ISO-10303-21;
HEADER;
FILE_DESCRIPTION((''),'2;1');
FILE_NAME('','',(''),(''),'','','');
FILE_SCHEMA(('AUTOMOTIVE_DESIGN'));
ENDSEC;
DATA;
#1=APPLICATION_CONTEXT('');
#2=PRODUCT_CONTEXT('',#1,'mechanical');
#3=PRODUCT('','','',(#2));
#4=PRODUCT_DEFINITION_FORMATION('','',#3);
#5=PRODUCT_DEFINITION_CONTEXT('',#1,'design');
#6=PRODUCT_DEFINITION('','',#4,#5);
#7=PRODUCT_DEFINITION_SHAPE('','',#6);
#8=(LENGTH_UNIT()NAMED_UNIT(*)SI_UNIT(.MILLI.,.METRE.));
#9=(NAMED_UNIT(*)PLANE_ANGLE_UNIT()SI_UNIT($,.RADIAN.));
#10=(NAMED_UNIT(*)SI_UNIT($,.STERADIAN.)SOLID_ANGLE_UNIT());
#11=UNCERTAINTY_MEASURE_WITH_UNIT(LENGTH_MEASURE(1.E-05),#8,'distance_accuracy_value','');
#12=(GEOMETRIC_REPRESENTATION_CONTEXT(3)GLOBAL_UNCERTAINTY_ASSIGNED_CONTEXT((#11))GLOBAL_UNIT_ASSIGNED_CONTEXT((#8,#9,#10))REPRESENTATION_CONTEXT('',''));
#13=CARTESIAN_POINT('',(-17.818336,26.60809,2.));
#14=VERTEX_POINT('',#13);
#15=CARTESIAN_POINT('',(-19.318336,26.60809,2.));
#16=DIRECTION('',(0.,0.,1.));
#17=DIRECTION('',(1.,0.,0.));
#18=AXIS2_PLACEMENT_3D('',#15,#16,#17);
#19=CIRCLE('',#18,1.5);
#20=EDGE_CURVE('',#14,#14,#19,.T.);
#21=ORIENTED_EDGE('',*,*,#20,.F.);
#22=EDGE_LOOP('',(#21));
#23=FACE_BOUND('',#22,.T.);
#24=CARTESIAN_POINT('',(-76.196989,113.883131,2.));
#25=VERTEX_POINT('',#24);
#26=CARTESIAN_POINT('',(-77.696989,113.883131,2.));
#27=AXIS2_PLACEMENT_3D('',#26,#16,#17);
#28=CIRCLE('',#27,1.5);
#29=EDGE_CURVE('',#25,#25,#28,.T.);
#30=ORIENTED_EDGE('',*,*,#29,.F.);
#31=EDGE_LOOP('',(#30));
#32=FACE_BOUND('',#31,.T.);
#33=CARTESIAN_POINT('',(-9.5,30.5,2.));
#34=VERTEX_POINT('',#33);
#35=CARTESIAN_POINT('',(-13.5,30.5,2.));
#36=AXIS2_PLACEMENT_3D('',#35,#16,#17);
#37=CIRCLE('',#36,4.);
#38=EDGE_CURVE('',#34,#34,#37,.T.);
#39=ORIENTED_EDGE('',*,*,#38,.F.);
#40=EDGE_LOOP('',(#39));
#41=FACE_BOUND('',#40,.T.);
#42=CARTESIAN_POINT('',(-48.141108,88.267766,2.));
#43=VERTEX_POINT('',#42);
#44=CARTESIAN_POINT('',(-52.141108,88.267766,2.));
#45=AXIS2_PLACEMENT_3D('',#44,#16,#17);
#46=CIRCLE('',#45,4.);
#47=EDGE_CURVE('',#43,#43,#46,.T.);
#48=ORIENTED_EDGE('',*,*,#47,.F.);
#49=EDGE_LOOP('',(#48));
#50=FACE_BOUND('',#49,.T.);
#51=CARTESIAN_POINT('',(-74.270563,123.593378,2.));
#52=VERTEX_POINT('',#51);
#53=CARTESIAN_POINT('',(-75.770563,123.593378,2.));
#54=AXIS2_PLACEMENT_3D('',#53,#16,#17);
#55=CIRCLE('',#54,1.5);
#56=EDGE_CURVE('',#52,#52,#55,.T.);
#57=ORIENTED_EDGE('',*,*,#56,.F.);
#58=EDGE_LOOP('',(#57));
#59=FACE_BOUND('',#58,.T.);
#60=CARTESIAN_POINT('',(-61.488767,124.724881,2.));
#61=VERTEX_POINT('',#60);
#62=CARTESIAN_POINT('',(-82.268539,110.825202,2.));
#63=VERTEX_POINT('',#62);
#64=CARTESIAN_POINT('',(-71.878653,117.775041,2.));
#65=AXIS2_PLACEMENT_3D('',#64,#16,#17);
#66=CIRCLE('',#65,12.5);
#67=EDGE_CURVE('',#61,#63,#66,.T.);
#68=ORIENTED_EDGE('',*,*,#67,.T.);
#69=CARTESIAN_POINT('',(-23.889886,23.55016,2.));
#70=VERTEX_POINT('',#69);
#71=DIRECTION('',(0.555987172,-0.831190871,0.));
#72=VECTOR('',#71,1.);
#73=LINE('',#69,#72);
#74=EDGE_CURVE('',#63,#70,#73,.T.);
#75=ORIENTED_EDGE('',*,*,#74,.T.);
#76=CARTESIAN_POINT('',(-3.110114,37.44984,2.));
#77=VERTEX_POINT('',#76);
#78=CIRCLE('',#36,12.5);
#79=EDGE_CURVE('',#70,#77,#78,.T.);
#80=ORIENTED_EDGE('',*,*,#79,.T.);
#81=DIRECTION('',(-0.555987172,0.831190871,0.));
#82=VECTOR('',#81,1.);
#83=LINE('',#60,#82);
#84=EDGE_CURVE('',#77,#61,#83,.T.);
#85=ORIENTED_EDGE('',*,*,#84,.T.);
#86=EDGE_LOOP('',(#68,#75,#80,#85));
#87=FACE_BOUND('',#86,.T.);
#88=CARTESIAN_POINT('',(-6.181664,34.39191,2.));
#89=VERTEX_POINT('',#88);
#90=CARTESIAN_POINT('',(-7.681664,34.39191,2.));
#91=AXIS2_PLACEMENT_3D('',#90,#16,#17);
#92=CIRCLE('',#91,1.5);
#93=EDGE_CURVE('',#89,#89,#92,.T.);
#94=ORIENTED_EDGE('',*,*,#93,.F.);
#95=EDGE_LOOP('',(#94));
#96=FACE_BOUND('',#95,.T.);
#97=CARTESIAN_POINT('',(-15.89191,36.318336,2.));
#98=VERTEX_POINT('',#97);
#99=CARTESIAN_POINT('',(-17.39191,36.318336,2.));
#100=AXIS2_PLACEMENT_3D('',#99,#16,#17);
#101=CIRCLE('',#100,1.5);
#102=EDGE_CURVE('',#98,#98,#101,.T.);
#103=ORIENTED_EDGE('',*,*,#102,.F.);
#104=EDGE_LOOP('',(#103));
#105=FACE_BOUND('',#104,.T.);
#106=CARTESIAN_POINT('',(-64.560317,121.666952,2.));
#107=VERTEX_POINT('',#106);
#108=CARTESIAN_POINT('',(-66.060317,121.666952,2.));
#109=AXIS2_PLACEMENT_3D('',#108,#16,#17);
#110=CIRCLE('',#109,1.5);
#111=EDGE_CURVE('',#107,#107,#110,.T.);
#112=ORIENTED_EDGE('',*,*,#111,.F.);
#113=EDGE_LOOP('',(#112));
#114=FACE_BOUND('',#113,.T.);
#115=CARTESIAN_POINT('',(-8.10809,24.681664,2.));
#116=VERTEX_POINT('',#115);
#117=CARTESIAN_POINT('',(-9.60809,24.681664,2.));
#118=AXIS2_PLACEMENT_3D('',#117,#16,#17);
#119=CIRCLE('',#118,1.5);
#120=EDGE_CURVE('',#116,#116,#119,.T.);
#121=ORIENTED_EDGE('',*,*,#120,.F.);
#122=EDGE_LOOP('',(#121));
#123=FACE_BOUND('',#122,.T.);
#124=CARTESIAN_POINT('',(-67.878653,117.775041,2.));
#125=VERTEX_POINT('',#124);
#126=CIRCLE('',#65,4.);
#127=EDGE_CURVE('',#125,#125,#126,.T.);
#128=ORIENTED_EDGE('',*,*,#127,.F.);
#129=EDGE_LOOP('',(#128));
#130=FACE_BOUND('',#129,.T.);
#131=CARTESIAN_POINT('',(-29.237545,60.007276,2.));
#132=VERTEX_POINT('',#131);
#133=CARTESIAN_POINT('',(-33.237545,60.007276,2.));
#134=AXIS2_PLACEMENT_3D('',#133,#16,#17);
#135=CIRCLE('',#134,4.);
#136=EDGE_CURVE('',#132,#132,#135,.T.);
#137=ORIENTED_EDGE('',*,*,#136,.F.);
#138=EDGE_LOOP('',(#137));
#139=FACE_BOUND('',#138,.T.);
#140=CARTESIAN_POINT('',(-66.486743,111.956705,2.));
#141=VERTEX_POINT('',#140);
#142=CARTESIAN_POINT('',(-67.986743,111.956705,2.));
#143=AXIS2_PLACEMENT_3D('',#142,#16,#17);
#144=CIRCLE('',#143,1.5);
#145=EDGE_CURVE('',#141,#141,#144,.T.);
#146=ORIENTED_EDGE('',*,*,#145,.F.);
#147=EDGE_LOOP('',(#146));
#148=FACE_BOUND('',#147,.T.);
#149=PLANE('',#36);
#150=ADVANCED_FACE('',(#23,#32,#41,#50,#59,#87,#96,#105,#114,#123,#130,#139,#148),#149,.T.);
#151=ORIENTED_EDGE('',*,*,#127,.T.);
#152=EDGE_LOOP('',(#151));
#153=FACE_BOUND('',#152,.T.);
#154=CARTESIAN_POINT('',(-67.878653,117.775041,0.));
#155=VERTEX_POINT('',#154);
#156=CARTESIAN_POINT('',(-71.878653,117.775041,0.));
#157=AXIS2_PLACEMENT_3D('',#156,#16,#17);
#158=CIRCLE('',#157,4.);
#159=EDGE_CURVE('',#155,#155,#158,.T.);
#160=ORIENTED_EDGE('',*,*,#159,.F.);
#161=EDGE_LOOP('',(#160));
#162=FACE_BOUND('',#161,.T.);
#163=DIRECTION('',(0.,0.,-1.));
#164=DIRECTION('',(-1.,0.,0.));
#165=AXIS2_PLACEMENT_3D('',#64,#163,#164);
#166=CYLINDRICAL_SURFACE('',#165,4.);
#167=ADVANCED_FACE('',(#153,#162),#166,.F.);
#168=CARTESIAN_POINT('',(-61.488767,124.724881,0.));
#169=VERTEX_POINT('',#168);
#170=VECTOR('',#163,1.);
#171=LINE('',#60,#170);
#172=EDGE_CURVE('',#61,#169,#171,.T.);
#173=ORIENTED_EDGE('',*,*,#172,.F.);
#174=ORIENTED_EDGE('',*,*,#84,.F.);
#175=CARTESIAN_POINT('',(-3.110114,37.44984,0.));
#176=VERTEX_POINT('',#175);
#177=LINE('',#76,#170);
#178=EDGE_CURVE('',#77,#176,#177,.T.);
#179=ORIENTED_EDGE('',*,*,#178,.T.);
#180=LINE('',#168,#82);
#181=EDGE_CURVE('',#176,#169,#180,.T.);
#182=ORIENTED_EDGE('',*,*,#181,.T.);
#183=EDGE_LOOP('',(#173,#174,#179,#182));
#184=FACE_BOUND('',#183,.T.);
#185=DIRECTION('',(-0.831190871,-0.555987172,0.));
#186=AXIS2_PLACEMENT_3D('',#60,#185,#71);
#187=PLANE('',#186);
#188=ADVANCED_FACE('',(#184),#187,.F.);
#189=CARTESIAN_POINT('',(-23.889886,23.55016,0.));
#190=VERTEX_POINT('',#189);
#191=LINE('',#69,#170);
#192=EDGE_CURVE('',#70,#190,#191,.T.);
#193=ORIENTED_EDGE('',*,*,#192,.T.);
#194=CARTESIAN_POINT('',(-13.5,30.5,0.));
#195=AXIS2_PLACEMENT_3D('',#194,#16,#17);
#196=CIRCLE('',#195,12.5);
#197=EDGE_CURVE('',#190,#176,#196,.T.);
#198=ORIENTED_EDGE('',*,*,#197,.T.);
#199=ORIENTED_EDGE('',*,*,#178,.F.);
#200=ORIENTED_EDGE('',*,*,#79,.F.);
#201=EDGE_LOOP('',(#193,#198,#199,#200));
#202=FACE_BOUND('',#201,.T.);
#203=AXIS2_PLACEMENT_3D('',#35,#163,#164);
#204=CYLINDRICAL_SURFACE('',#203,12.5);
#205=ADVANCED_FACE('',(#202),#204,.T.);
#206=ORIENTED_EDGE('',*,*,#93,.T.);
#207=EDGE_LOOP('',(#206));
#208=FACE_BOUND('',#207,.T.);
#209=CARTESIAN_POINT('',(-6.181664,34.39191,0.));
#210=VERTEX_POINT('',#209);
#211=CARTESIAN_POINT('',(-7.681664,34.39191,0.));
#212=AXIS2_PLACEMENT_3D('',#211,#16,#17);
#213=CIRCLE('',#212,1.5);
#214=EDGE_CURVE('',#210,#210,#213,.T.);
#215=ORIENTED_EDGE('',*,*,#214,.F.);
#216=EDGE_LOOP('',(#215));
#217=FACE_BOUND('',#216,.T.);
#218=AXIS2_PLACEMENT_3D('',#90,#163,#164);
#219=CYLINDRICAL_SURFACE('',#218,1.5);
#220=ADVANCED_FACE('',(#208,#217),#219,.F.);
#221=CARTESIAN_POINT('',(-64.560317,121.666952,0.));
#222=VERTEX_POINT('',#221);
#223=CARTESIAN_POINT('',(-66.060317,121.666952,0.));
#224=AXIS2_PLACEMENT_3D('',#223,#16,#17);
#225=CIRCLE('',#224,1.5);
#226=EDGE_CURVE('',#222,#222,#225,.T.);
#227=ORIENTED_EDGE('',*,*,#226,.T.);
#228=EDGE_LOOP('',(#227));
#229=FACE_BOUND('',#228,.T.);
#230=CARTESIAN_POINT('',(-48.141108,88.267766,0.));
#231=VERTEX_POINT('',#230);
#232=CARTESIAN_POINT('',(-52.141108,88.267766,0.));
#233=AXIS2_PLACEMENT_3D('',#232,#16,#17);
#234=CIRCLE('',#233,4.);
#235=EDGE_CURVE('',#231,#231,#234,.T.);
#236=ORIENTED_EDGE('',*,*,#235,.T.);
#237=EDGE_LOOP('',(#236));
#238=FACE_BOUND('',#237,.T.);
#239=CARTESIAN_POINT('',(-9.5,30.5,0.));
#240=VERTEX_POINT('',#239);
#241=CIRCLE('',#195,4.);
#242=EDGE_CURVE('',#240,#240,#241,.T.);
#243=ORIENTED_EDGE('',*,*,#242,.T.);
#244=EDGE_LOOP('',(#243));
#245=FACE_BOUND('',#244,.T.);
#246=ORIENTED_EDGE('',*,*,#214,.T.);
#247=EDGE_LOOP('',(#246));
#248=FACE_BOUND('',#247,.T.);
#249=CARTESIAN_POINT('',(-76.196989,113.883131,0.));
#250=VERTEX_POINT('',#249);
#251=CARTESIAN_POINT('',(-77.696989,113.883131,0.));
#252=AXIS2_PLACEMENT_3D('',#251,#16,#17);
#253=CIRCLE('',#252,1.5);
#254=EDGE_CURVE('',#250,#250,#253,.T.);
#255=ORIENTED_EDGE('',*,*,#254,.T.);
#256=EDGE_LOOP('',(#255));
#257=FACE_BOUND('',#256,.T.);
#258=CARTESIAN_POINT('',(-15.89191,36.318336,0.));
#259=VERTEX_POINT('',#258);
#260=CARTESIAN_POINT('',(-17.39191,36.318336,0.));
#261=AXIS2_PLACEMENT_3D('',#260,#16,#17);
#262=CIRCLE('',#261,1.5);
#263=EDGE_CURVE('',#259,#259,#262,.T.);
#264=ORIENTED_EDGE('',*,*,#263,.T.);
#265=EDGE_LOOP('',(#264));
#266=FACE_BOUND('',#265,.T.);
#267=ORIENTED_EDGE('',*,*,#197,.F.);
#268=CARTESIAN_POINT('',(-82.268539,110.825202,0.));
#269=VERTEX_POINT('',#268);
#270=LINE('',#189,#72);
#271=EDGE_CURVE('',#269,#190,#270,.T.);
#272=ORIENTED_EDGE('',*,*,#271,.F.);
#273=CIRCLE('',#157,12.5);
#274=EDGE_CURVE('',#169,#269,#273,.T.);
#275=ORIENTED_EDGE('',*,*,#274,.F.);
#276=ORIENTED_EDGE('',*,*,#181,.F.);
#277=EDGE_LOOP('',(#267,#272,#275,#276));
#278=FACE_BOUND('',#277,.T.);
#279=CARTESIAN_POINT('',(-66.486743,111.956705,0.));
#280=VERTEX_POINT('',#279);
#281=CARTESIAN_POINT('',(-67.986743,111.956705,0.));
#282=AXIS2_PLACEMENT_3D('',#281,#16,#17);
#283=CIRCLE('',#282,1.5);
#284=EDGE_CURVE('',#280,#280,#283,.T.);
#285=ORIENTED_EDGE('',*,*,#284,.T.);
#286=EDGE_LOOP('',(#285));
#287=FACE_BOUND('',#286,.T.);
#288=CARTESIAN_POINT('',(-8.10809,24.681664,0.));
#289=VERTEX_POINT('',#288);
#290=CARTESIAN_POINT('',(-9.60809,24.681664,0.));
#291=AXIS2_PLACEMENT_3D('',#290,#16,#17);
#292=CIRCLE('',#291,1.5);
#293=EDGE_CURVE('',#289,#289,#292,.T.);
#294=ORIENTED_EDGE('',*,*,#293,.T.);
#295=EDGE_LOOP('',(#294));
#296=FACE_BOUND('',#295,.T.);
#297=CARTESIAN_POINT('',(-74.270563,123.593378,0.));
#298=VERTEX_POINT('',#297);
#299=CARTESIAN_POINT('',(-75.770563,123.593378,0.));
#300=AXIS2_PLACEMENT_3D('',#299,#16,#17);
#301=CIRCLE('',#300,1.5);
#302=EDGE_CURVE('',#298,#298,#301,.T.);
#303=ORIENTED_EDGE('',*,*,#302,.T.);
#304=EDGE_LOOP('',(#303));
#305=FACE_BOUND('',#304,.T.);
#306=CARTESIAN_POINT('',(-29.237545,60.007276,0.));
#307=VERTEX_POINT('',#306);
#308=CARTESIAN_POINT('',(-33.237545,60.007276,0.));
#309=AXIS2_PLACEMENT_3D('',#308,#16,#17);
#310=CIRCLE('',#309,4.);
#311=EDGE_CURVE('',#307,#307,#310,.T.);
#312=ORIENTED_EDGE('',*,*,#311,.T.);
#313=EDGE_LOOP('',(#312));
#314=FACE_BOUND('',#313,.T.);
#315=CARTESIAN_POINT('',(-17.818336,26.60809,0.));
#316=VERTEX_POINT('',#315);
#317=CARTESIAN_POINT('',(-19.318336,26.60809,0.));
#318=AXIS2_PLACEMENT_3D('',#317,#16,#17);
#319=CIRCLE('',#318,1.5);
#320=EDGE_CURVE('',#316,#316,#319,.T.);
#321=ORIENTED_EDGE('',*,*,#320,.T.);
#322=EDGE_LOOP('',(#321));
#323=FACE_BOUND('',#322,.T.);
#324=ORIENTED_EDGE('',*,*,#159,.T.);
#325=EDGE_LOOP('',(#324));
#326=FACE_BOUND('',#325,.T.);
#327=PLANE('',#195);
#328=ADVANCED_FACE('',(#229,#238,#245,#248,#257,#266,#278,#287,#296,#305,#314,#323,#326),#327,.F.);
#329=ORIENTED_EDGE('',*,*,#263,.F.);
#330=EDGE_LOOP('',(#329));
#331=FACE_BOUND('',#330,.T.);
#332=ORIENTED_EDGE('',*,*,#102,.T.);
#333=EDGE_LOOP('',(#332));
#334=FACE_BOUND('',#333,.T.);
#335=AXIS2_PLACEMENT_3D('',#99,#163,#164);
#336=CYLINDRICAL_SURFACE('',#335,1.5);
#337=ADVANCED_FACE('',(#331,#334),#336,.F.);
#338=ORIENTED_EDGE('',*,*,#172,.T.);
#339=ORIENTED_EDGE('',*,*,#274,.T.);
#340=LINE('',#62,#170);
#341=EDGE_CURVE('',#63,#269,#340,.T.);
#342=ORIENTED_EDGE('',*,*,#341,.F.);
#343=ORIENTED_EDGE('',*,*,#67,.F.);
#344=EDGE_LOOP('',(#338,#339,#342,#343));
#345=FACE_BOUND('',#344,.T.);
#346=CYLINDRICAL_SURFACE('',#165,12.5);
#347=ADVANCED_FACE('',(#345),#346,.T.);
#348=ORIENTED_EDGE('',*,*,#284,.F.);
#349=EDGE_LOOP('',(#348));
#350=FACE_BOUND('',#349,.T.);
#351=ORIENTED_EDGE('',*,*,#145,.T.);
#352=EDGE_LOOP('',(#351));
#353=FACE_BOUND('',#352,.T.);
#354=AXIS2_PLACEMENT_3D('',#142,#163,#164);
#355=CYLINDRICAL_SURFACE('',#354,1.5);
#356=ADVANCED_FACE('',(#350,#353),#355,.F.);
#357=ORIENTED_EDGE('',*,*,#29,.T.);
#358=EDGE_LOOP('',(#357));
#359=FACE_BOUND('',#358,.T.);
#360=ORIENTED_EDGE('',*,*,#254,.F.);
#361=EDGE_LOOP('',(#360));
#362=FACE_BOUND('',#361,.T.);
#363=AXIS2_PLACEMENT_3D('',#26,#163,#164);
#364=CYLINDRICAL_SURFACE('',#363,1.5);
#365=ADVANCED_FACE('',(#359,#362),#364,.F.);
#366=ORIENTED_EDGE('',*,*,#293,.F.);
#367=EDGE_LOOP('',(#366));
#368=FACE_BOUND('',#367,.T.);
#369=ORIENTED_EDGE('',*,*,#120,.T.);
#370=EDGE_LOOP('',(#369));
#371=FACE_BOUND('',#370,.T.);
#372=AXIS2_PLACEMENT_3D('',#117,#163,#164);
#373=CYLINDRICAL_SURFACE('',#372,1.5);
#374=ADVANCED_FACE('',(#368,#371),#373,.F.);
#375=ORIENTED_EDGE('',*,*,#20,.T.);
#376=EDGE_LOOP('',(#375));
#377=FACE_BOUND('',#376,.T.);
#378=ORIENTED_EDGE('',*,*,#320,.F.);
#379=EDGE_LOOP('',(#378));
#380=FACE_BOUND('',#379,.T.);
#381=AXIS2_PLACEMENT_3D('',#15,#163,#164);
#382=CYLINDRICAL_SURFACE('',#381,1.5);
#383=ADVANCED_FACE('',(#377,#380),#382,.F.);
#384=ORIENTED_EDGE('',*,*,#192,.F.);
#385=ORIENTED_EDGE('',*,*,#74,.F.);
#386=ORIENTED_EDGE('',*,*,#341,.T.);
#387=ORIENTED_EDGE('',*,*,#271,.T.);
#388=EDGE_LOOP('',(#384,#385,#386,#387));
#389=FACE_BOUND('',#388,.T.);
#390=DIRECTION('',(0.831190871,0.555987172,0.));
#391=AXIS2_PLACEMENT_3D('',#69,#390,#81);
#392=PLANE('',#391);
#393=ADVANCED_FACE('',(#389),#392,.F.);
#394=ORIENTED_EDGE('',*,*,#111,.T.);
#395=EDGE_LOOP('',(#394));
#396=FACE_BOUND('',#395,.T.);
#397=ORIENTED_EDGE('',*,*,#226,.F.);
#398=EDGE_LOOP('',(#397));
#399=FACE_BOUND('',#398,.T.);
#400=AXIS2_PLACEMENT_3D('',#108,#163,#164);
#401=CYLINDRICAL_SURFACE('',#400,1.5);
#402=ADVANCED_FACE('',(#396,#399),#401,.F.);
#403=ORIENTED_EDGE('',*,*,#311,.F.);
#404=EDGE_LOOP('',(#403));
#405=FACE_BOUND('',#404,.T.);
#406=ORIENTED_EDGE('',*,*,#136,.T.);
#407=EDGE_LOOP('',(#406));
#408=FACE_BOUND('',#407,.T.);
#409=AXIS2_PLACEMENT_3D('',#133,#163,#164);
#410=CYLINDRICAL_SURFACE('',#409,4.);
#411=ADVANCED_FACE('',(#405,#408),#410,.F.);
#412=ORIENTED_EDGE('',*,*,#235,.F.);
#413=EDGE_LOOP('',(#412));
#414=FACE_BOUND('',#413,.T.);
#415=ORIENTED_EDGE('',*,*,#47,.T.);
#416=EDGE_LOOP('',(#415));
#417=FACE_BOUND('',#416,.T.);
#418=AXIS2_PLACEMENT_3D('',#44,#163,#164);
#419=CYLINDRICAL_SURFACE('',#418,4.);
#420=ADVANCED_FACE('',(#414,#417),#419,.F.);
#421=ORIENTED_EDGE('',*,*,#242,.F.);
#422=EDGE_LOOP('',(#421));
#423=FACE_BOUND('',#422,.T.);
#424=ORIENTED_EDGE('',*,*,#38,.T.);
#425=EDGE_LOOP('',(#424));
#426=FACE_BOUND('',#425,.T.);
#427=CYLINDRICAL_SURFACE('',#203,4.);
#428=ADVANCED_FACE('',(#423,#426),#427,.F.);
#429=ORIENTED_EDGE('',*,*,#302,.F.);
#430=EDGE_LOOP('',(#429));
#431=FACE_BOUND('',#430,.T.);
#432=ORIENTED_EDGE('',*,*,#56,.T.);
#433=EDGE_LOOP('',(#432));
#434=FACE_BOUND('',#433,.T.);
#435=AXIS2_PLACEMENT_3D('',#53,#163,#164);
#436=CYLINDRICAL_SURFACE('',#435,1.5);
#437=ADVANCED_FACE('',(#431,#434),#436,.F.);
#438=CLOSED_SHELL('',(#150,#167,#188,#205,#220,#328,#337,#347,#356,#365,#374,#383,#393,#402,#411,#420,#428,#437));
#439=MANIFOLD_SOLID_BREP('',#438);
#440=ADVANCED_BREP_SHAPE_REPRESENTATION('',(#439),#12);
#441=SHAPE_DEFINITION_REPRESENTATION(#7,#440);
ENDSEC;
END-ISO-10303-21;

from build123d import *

# Parameters (mm, degrees)
SKETCH_1_R      = 1.5
SKETCH_1_R_2    = 4
EXTRUDE_1_DEPTH = 2


with BuildPart() as part:
    # 草图1 → 凸台-拉伸1 (new body)
    with BuildSketch(Plane.XY):
        with BuildLine():
            Line((-61.488767219, 124.724881113), (-3.110114112, 37.449839656))
            ThreePointArc((-3.110114112, 37.449839656), (-6.550160344, 20.110114112), (-23.889885888, 23.550160344))
            Line((-23.889885888, 23.550160344), (-82.268538994, 110.825201802))
            ThreePointArc((-82.268538994, 110.825201802), (-78.828492762, 128.164927346), (-61.488767219, 124.724881113))
        make_face()
        with Locations((-66.060317009, 121.666951665)):
            Circle(SKETCH_1_R, mode=Mode.SUBTRACT)
        with Locations((-75.770563314, 123.593377555)):
            Circle(SKETCH_1_R, mode=Mode.SUBTRACT)
        with Locations((-67.986742899, 111.956705361)):
            Circle(SKETCH_1_R, mode=Mode.SUBTRACT)
        with Locations((-71.878653107, 117.775041458)):
            Circle(SKETCH_1_R_2, mode=Mode.SUBTRACT)
        with Locations((-77.696989204, 113.883131251)):
            Circle(SKETCH_1_R, mode=Mode.SUBTRACT)
        with Locations((-19.318336097, 26.608089793)):
            Circle(SKETCH_1_R, mode=Mode.SUBTRACT)
        with Locations((-9.608089793, 24.681663903)):
            Circle(SKETCH_1_R, mode=Mode.SUBTRACT)
        with Locations((-17.391910207, 36.318336097)):
            Circle(SKETCH_1_R, mode=Mode.SUBTRACT)
        with Locations((-13.5, 30.5)):
            Circle(SKETCH_1_R_2, mode=Mode.SUBTRACT)
        with Locations((-7.681663903, 34.391910207)):
            Circle(SKETCH_1_R, mode=Mode.SUBTRACT)
        with Locations((-52.141108485, 88.267765536)):
            Circle(SKETCH_1_R_2, mode=Mode.SUBTRACT)
        with Locations((-33.237544622, 60.007275921)):
            Circle(SKETCH_1_R_2, mode=Mode.SUBTRACT)
    extrude(amount=EXTRUDE_1_DEPTH)


solid = part.part
